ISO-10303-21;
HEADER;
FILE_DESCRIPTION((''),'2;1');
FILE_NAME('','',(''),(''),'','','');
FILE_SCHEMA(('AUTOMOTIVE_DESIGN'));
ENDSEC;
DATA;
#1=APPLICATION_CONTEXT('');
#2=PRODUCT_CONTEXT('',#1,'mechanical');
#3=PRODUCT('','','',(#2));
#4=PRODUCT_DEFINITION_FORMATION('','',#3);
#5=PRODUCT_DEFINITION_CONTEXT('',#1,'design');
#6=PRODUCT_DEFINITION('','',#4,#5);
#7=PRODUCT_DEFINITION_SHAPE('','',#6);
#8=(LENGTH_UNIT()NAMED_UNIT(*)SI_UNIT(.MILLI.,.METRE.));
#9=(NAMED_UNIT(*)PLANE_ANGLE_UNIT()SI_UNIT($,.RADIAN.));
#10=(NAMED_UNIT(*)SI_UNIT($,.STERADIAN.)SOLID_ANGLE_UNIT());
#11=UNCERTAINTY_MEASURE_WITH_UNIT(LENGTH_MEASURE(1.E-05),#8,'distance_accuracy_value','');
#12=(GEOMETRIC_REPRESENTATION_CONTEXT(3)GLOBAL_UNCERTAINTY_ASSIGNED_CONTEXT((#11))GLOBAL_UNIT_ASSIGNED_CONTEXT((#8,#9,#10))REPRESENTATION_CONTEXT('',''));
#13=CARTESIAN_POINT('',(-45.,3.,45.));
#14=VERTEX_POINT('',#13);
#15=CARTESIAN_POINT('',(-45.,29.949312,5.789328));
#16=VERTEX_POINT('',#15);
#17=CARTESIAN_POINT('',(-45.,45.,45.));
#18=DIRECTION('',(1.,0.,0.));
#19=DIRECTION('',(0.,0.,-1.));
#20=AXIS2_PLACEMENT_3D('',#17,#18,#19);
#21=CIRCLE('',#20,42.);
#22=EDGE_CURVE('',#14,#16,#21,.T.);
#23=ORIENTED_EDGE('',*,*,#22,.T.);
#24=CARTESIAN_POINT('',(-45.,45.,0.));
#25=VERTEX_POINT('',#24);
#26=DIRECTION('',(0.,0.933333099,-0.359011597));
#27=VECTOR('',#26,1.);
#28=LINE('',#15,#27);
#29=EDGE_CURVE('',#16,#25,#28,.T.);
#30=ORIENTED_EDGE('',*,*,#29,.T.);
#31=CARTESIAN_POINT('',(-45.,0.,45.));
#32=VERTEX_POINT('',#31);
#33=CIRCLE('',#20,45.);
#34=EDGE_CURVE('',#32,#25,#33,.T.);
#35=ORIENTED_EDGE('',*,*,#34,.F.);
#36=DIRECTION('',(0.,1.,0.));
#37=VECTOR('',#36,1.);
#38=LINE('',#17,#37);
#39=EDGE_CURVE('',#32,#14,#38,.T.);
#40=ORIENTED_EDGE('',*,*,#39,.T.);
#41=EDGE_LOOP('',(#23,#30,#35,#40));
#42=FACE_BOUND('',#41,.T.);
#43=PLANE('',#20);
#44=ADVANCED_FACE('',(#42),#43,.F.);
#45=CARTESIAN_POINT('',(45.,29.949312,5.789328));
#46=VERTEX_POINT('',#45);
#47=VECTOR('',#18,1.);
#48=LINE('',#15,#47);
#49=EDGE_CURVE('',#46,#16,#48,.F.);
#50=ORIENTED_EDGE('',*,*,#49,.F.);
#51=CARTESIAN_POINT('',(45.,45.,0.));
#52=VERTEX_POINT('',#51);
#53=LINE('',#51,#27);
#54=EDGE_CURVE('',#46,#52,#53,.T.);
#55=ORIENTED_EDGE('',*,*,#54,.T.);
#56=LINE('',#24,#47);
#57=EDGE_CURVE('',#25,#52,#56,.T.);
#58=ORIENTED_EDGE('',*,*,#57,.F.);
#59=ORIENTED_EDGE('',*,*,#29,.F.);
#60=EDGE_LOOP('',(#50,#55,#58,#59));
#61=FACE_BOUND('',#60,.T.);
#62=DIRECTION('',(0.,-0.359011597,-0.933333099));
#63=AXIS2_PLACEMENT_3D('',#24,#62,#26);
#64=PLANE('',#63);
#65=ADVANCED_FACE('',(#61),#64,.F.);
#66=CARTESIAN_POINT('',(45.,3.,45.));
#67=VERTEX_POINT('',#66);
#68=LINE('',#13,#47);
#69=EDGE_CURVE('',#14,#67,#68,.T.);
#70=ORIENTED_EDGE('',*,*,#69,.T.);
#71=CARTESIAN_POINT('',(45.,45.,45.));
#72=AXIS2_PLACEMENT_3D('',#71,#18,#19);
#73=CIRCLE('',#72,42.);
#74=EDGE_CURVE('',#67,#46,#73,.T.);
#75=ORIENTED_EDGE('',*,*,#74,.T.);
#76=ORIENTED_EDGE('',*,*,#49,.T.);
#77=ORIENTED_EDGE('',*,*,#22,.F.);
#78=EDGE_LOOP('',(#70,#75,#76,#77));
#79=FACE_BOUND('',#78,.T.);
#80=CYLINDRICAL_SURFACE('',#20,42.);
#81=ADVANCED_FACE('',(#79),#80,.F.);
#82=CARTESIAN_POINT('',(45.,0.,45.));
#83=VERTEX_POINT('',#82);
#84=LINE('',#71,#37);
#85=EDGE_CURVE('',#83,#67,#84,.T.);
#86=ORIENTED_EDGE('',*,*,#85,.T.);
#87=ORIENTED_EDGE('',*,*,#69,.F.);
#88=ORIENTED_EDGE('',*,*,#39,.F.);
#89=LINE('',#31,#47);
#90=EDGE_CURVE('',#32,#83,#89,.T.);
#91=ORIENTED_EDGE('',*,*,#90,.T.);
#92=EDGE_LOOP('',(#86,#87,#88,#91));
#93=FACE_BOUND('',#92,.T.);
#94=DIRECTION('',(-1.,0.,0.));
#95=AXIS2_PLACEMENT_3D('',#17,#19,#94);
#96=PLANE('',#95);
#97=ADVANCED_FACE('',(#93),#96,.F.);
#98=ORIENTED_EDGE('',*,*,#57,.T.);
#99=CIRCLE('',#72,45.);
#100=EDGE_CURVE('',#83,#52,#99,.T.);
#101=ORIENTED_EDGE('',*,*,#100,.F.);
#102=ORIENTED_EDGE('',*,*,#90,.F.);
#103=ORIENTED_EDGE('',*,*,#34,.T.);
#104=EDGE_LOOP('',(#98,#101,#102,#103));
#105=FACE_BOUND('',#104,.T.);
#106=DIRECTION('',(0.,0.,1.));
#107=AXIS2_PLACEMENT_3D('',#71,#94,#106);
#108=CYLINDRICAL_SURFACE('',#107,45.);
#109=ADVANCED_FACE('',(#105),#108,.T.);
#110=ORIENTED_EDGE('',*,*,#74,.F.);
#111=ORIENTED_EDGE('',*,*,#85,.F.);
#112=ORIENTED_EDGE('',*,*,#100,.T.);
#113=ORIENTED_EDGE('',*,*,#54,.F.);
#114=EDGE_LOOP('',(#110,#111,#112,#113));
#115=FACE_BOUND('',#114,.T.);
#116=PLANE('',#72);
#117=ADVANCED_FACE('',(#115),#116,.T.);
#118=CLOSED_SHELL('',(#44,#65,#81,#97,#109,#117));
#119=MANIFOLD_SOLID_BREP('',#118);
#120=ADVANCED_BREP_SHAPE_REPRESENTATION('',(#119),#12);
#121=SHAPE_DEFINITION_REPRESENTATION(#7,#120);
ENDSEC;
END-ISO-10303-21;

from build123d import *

# Parameters (mm, degrees)
ESBO_O2_R                  = 45
RESSALTO_EXTRUS_O3_DEPTH   = 45
CORTE_EXTRUS_O1_DEPTH      = 136
CORTE_EXTRUS_O1_DEPTH_BACK = 136
ESBO_O5_R                  = 42
CORTE_EXTRUS_O2_DEPTH      = 136
CORTE_EXTRUS_O2_DEPTH_BACK = 136


with BuildPart() as part:
    # Esboço2 → Ressalto-extrusão3 (new, symmetric)
    with BuildSketch(Plane(origin=(0, 0, 0), x_dir=(0, 0, -1), z_dir=(1, 0, 0))):
        with Locations(Location((-45, 45, 0), (0, 0, 180))):
            Circle(ESBO_O2_R)
    extrude(amount=RESSALTO_EXTRUS_O3_DEPTH, both=True)

    # Esboço5 → Corte-extrusão1 (cut, two sides: drawn at the far end of the back side and taken through both)
    with BuildSketch(Plane(origin=(0, 0, 0), x_dir=(0, 0, -1), z_dir=(1, 0, 0)).offset(-CORTE_EXTRUS_O1_DEPTH_BACK)):
        with Locations((-45, 45)):
            Circle(ESBO_O5_R)
    extrude(amount=CORTE_EXTRUS_O1_DEPTH + CORTE_EXTRUS_O1_DEPTH_BACK, mode=Mode.SUBTRACT)

    # Esboço6 → Corte-extrusão2 (cut, two sides: drawn at the far end of the back side and taken through both)
    with BuildSketch(Plane(origin=(0, 0, 0), x_dir=(0, 0, -1), z_dir=(1, 0, 0)).offset(-CORTE_EXTRUS_O2_DEPTH_BACK)):
        Polygon((-45, 45), (-45, 0), (-90, 0), (-90, 45), (-90, 90), (-45, 90), (-3, 90), (0, 90), (0, 45), (-5.810711404, 29.893721195), align=None)
    extrude(amount=CORTE_EXTRUS_O2_DEPTH + CORTE_EXTRUS_O2_DEPTH_BACK, mode=Mode.SUBTRACT)


solid = part.part
